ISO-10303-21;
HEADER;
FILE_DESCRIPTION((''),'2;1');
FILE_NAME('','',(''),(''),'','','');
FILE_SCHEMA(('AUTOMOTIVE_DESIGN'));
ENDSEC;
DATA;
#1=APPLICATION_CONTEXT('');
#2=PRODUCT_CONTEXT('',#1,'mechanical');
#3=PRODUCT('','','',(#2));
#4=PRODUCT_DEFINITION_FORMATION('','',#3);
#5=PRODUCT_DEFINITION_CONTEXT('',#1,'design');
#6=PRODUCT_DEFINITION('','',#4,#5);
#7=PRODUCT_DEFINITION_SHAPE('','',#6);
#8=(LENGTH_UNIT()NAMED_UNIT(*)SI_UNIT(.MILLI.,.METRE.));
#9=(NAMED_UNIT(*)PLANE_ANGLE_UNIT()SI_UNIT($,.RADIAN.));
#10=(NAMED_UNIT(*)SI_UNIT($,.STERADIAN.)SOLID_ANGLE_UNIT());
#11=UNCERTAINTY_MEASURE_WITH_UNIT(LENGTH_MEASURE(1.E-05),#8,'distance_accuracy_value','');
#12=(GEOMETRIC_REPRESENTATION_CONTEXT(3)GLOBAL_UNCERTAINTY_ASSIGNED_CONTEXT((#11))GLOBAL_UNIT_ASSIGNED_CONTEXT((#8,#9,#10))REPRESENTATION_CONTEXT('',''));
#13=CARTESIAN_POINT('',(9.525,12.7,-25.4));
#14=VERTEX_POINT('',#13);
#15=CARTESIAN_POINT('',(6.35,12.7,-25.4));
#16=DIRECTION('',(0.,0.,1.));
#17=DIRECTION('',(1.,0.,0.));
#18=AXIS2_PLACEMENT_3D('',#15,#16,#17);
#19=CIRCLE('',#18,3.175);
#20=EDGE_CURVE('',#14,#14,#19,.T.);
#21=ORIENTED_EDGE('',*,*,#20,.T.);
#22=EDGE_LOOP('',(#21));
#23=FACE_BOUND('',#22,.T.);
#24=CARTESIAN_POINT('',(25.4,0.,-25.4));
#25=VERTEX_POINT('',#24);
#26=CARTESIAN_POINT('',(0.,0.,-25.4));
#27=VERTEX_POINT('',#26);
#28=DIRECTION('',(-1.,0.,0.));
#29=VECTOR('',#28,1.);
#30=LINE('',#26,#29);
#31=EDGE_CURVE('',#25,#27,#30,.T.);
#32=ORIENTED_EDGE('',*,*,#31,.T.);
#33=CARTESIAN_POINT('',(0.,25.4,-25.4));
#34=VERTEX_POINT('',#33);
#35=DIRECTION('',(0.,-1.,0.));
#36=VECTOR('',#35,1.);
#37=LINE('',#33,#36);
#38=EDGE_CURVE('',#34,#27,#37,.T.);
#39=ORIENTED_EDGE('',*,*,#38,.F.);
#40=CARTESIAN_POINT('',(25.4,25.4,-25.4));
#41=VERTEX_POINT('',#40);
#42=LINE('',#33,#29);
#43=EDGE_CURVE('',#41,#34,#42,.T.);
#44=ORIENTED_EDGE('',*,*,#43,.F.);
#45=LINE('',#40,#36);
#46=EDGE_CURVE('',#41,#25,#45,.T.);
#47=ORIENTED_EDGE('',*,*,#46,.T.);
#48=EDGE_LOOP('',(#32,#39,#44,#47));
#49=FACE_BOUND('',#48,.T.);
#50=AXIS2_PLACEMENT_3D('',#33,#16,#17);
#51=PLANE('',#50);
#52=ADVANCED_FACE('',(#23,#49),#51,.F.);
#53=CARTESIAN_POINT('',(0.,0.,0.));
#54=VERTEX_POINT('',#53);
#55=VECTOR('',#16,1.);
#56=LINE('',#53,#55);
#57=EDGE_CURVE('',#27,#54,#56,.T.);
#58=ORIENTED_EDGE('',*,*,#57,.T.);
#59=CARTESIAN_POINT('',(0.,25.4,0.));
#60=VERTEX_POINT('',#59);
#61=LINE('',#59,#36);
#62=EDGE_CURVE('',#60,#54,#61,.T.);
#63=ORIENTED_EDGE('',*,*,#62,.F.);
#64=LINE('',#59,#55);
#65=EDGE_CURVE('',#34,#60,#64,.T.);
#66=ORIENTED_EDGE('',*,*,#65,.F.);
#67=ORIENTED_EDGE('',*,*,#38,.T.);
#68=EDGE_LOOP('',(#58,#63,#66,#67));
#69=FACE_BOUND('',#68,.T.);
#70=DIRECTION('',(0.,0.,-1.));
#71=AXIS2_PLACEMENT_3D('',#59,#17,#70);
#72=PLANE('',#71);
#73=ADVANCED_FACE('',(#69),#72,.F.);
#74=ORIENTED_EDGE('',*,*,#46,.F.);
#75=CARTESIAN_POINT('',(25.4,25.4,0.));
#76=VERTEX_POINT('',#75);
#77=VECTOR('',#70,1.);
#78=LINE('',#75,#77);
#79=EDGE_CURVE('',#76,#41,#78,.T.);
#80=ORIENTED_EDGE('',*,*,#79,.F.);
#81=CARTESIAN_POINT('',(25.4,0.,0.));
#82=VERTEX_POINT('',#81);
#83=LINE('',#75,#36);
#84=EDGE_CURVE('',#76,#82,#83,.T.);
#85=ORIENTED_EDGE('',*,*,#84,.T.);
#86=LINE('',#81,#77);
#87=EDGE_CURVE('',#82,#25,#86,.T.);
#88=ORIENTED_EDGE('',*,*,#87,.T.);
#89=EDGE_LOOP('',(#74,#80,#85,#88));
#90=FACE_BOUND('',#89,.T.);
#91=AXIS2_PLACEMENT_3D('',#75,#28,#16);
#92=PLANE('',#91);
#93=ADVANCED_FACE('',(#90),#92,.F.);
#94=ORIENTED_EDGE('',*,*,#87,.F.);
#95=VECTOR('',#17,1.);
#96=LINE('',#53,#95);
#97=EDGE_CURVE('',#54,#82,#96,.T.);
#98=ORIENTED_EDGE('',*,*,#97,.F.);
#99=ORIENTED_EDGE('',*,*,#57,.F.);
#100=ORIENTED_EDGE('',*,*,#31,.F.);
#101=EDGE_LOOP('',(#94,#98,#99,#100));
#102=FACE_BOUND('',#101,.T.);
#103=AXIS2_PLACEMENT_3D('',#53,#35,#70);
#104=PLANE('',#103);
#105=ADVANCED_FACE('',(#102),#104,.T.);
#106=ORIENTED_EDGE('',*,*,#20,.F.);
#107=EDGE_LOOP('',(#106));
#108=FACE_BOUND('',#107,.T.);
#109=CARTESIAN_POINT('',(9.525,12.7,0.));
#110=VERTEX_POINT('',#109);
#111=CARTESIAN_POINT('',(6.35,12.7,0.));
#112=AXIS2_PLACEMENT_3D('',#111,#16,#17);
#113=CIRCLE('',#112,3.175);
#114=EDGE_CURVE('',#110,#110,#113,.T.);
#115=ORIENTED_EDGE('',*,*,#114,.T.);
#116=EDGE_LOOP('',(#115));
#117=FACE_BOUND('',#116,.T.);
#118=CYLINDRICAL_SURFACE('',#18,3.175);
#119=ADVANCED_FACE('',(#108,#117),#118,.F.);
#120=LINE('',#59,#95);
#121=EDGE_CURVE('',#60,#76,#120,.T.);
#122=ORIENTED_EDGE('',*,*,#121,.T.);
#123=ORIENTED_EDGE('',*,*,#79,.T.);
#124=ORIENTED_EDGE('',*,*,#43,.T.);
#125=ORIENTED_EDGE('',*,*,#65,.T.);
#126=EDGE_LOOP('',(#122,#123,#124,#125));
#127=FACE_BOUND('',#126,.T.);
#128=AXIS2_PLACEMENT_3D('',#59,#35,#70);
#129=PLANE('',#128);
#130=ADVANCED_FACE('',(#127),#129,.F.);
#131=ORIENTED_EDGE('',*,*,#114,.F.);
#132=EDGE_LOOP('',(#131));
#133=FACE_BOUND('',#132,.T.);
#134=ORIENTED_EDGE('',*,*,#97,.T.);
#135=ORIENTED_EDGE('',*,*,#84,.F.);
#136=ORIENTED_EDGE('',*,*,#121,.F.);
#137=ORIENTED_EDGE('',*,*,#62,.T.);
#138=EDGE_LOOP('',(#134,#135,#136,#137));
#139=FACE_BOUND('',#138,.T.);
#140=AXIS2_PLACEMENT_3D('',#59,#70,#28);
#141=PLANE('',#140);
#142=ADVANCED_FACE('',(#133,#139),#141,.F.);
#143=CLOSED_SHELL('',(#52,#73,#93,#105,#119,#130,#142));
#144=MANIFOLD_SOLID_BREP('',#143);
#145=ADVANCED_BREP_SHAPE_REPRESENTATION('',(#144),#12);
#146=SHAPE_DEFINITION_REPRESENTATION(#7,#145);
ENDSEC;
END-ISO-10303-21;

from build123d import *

# Parameters (mm, degrees)
SKETCH1_W           = 25.4
SKETCH1_H           = 25.4
BOSS_EXTRUDE1_DEPTH = 25.4
SKETCH2_R           = 3.175
CUT_EXTRUDE1_DEPTH  = 44.994090512


with BuildPart() as part:
    # Sketch1 → Boss-Extrude1 (new body)
    with BuildSketch(Plane(origin=(0, 0, 0), x_dir=(1, 0, 0), z_dir=(0, 1, 0))):
        with Locations((12.7, 12.7)):
            Rectangle(SKETCH1_W, SKETCH1_H)
    extrude(amount=BOSS_EXTRUDE1_DEPTH)

    # Sketch2 → Cut-Extrude1 (cut, through all)
    with BuildSketch(Plane.XY):
        with Locations((6.35, 12.7)):
            Circle(SKETCH2_R)
    extrude(amount=-CUT_EXTRUDE1_DEPTH, mode=Mode.SUBTRACT)


solid = part.part
